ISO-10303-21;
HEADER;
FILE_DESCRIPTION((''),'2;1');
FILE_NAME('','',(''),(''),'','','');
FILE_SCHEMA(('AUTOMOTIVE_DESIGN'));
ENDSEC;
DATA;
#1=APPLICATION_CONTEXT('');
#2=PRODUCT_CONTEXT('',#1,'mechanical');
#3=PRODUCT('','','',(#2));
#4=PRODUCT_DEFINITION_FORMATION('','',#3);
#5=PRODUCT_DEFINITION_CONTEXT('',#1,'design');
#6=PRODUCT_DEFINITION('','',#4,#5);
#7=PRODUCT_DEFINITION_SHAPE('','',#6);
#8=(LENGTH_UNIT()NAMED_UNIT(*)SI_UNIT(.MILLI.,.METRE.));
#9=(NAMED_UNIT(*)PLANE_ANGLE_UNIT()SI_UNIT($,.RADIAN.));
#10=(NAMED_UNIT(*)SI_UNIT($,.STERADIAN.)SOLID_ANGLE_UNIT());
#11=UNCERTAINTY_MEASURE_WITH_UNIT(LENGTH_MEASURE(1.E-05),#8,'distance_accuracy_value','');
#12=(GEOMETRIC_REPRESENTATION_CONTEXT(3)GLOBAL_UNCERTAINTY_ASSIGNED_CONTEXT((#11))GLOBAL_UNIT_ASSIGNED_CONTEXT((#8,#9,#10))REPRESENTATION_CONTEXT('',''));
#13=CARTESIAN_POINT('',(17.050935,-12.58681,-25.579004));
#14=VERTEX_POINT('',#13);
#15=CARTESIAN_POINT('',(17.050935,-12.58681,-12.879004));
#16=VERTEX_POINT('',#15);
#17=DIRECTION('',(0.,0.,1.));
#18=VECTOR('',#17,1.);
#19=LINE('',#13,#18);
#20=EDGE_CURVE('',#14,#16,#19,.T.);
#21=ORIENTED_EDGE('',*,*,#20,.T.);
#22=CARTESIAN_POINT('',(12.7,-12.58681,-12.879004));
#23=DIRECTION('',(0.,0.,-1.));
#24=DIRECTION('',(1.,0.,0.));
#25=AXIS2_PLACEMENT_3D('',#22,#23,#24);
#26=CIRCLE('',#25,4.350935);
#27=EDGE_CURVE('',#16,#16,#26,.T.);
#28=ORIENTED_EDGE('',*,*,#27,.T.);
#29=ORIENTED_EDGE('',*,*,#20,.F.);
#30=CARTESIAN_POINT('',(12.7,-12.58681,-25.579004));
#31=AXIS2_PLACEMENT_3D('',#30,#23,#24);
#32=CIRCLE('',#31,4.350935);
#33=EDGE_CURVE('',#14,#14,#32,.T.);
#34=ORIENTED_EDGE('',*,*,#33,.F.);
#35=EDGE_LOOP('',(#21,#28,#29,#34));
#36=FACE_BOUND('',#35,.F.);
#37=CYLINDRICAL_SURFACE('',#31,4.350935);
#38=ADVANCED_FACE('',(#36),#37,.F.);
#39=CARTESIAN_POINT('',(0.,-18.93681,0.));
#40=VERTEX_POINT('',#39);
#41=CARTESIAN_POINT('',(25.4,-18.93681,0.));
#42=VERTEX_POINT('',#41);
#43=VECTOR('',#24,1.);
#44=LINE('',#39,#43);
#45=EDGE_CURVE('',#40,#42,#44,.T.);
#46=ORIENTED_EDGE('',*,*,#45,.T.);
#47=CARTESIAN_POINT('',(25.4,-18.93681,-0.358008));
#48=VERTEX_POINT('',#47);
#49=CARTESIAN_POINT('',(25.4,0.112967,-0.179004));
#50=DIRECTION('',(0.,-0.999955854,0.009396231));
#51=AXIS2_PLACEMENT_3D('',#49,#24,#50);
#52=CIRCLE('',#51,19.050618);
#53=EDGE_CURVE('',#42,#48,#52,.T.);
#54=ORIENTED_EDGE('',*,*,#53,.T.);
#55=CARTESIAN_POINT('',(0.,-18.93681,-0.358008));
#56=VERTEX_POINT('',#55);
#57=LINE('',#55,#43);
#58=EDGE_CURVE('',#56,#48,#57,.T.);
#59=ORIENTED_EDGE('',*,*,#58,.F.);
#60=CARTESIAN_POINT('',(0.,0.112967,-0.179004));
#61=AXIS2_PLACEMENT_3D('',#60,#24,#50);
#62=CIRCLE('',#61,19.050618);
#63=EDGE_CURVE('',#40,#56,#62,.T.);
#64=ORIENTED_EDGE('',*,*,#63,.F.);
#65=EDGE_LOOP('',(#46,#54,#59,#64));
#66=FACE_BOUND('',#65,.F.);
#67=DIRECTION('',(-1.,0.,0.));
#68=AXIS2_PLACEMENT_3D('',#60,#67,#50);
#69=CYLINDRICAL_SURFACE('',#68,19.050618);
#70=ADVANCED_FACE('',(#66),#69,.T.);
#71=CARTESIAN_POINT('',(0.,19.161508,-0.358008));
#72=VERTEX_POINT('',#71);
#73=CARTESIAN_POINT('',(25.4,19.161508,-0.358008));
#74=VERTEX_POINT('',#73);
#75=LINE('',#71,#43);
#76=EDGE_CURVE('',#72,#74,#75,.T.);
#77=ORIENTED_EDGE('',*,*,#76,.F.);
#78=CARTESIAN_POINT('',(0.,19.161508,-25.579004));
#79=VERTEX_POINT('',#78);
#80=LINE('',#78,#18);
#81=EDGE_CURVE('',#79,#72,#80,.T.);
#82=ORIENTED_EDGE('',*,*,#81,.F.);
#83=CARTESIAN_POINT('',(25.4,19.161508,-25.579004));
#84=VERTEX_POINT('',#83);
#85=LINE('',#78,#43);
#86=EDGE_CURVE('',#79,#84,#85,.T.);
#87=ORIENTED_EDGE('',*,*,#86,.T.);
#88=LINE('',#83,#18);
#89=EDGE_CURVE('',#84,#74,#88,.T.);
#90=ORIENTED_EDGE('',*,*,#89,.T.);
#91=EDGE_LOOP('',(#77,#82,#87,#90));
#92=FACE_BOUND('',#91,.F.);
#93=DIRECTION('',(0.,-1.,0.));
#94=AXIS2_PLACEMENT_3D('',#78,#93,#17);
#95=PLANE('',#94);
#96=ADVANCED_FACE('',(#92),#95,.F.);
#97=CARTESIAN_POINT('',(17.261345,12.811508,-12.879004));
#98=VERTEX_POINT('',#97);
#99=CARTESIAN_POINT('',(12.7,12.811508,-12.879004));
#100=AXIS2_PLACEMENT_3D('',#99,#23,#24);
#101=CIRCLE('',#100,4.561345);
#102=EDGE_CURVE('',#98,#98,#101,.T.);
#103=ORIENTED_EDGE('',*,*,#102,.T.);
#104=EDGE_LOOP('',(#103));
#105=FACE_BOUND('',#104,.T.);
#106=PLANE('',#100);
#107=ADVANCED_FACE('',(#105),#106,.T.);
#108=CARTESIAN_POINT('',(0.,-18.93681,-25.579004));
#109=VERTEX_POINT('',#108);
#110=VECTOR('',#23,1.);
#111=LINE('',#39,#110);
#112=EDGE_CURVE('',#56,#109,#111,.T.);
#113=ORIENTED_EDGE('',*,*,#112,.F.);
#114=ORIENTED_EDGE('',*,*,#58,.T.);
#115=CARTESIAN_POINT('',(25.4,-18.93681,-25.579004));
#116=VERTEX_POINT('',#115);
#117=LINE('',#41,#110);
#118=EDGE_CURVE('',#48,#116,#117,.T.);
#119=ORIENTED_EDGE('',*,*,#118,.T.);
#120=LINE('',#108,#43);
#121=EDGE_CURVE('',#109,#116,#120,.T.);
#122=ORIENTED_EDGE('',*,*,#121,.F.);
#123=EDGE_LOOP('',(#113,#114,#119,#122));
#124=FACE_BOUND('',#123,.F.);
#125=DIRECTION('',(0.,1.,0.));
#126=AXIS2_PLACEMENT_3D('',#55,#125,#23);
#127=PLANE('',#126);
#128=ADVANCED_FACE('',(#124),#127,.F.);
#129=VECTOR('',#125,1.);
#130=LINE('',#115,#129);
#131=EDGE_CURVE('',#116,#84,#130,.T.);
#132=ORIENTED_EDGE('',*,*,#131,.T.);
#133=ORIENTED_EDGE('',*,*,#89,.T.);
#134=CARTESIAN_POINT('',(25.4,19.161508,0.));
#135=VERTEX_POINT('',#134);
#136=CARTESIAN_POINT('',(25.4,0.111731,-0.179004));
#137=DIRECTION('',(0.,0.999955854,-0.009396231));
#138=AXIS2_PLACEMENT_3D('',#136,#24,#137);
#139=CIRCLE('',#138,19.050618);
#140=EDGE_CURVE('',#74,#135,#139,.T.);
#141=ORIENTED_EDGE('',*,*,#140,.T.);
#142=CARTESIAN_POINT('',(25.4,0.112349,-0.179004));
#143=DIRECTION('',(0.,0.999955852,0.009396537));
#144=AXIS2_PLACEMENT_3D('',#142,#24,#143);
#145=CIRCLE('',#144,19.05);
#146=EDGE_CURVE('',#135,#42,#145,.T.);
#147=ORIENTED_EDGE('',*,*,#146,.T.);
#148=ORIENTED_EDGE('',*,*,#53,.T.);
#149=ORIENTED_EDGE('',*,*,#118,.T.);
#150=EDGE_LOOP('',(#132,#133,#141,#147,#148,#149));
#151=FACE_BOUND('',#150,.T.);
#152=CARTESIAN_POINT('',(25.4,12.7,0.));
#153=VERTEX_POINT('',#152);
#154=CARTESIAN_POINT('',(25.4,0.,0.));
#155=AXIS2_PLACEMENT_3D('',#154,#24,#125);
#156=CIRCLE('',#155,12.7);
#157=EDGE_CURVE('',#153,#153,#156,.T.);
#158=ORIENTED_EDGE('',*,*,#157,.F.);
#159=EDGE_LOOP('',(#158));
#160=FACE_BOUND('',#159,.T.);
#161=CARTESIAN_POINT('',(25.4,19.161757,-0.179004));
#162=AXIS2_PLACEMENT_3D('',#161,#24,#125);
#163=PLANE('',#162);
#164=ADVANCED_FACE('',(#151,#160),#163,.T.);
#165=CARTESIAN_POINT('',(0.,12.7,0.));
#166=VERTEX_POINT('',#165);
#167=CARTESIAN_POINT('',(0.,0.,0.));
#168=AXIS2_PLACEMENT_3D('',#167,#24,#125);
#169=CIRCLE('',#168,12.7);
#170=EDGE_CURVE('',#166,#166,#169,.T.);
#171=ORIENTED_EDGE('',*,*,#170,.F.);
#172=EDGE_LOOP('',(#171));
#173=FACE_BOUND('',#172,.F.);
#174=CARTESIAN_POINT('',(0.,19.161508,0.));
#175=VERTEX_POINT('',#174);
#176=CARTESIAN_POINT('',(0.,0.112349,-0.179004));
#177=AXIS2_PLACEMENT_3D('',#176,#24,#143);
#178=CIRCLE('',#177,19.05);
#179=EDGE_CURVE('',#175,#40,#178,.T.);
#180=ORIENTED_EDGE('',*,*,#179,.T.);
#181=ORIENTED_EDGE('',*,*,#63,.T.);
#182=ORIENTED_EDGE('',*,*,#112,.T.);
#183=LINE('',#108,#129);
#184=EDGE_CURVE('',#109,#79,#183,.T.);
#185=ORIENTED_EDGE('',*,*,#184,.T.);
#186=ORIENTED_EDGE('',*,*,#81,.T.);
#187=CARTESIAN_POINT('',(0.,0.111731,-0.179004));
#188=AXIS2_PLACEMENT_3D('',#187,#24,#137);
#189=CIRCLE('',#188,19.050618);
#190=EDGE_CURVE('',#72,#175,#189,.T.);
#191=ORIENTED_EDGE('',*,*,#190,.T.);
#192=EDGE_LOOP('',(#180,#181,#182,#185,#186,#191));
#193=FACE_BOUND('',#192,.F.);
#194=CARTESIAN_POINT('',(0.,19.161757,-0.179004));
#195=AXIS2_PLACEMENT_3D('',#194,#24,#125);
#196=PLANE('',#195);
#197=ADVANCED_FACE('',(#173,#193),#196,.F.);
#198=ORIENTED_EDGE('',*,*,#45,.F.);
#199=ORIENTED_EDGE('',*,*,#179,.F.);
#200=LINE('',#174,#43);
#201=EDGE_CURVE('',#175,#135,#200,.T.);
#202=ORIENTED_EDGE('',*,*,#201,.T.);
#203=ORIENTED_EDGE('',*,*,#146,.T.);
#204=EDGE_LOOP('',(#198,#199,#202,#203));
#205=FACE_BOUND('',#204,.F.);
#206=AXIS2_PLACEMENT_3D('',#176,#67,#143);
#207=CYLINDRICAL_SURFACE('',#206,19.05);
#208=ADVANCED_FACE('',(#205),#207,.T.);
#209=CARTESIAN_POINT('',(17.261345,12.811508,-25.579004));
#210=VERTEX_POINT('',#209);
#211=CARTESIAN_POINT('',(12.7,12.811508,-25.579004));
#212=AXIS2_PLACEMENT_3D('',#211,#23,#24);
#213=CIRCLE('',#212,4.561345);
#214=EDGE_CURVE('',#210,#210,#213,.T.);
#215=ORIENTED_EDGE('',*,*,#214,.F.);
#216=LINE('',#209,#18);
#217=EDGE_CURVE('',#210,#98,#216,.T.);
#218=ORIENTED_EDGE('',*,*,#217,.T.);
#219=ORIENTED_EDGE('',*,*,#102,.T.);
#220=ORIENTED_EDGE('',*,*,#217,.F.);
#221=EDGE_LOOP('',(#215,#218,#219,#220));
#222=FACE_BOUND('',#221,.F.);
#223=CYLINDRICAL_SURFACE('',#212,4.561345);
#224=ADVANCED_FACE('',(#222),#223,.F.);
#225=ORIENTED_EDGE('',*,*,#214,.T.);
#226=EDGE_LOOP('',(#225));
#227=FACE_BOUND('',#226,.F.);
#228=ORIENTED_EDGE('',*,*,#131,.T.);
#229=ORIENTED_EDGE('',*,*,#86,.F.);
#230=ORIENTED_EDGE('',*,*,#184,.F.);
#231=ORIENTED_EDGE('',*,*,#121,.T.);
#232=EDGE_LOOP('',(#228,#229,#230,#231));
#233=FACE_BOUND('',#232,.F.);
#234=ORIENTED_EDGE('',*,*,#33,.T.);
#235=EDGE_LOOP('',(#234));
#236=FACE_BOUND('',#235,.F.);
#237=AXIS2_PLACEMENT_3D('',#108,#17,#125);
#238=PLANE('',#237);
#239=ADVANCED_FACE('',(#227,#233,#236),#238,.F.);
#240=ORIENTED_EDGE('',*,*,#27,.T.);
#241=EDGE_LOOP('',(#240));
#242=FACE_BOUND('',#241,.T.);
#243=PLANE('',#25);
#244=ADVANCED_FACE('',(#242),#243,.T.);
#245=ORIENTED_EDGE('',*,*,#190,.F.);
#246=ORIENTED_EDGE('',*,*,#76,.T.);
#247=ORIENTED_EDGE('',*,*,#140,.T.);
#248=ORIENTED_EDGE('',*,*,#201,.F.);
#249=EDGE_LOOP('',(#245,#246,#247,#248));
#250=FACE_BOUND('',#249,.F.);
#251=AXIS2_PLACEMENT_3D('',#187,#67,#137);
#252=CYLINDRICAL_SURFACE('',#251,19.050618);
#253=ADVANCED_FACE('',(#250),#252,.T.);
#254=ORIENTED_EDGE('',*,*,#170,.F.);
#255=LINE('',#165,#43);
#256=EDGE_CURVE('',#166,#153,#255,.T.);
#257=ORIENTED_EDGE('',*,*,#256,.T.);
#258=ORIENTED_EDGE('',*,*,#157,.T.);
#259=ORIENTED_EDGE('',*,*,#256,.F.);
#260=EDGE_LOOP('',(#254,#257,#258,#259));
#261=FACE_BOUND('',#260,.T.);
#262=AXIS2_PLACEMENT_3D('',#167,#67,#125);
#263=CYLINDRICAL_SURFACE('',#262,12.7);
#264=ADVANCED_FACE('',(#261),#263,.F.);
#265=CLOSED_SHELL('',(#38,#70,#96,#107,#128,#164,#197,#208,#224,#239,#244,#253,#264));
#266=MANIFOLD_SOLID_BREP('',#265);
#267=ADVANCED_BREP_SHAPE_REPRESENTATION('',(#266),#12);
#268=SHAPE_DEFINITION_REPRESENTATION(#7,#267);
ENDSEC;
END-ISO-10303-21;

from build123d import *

# Parameters (mm, degrees)
F0_R     = 12.7
F1_DEPTH = 25.4
F2_R     = 4.350935
F2_R_2   = 4.561345
F3_DEPTH = 12.7


with BuildPart() as f1:
    # F0 (on Right) → F1 (new body)
    with BuildSketch(Plane.YZ):
        with BuildLine():
            Line((19.161508, 0), (19.161508, -0.358008))
            ThreePointArc((19.161508, -0.358008), (19.162349, -0.179004), (19.161508, 0))
        make_face()
        with BuildLine():
            Line((19.161508, -25.579004), (19.161508, -0.358008))
            Line((19.161508, -0.358008), (19.161508, 0))
            ThreePointArc((19.161508, 0), (0.112349, 18.870996), (-18.93681, 0))
            Line((-18.93681, 0), (-18.93681, -0.358008))
            Line((-18.93681, -0.358008), (-18.93681, -25.579004))
            Line((-18.93681, -25.579004), (19.161508, -25.579004))
        make_face()
        Circle(F0_R, mode=Mode.SUBTRACT)
        with BuildLine():
            Line((-18.93681, -0.358008), (-18.93681, 0))
            ThreePointArc((-18.93681, 0), (-18.937651, -0.179004), (-18.93681, -0.358008))
        make_face()
    extrude(amount=F1_DEPTH)

    # F2 (on face) → F3 (cut)
    with BuildSketch(Plane(origin=(0, 0, -25.579004), x_dir=(1, 0, 0), z_dir=(0, 0, -1))):
        with Locations((12.7, 12.58681)):
            Circle(F2_R)
        with Locations((12.7, -12.811508)):
            Circle(F2_R_2)
    extrude(amount=-F3_DEPTH, mode=Mode.SUBTRACT)


solid = f1.part
